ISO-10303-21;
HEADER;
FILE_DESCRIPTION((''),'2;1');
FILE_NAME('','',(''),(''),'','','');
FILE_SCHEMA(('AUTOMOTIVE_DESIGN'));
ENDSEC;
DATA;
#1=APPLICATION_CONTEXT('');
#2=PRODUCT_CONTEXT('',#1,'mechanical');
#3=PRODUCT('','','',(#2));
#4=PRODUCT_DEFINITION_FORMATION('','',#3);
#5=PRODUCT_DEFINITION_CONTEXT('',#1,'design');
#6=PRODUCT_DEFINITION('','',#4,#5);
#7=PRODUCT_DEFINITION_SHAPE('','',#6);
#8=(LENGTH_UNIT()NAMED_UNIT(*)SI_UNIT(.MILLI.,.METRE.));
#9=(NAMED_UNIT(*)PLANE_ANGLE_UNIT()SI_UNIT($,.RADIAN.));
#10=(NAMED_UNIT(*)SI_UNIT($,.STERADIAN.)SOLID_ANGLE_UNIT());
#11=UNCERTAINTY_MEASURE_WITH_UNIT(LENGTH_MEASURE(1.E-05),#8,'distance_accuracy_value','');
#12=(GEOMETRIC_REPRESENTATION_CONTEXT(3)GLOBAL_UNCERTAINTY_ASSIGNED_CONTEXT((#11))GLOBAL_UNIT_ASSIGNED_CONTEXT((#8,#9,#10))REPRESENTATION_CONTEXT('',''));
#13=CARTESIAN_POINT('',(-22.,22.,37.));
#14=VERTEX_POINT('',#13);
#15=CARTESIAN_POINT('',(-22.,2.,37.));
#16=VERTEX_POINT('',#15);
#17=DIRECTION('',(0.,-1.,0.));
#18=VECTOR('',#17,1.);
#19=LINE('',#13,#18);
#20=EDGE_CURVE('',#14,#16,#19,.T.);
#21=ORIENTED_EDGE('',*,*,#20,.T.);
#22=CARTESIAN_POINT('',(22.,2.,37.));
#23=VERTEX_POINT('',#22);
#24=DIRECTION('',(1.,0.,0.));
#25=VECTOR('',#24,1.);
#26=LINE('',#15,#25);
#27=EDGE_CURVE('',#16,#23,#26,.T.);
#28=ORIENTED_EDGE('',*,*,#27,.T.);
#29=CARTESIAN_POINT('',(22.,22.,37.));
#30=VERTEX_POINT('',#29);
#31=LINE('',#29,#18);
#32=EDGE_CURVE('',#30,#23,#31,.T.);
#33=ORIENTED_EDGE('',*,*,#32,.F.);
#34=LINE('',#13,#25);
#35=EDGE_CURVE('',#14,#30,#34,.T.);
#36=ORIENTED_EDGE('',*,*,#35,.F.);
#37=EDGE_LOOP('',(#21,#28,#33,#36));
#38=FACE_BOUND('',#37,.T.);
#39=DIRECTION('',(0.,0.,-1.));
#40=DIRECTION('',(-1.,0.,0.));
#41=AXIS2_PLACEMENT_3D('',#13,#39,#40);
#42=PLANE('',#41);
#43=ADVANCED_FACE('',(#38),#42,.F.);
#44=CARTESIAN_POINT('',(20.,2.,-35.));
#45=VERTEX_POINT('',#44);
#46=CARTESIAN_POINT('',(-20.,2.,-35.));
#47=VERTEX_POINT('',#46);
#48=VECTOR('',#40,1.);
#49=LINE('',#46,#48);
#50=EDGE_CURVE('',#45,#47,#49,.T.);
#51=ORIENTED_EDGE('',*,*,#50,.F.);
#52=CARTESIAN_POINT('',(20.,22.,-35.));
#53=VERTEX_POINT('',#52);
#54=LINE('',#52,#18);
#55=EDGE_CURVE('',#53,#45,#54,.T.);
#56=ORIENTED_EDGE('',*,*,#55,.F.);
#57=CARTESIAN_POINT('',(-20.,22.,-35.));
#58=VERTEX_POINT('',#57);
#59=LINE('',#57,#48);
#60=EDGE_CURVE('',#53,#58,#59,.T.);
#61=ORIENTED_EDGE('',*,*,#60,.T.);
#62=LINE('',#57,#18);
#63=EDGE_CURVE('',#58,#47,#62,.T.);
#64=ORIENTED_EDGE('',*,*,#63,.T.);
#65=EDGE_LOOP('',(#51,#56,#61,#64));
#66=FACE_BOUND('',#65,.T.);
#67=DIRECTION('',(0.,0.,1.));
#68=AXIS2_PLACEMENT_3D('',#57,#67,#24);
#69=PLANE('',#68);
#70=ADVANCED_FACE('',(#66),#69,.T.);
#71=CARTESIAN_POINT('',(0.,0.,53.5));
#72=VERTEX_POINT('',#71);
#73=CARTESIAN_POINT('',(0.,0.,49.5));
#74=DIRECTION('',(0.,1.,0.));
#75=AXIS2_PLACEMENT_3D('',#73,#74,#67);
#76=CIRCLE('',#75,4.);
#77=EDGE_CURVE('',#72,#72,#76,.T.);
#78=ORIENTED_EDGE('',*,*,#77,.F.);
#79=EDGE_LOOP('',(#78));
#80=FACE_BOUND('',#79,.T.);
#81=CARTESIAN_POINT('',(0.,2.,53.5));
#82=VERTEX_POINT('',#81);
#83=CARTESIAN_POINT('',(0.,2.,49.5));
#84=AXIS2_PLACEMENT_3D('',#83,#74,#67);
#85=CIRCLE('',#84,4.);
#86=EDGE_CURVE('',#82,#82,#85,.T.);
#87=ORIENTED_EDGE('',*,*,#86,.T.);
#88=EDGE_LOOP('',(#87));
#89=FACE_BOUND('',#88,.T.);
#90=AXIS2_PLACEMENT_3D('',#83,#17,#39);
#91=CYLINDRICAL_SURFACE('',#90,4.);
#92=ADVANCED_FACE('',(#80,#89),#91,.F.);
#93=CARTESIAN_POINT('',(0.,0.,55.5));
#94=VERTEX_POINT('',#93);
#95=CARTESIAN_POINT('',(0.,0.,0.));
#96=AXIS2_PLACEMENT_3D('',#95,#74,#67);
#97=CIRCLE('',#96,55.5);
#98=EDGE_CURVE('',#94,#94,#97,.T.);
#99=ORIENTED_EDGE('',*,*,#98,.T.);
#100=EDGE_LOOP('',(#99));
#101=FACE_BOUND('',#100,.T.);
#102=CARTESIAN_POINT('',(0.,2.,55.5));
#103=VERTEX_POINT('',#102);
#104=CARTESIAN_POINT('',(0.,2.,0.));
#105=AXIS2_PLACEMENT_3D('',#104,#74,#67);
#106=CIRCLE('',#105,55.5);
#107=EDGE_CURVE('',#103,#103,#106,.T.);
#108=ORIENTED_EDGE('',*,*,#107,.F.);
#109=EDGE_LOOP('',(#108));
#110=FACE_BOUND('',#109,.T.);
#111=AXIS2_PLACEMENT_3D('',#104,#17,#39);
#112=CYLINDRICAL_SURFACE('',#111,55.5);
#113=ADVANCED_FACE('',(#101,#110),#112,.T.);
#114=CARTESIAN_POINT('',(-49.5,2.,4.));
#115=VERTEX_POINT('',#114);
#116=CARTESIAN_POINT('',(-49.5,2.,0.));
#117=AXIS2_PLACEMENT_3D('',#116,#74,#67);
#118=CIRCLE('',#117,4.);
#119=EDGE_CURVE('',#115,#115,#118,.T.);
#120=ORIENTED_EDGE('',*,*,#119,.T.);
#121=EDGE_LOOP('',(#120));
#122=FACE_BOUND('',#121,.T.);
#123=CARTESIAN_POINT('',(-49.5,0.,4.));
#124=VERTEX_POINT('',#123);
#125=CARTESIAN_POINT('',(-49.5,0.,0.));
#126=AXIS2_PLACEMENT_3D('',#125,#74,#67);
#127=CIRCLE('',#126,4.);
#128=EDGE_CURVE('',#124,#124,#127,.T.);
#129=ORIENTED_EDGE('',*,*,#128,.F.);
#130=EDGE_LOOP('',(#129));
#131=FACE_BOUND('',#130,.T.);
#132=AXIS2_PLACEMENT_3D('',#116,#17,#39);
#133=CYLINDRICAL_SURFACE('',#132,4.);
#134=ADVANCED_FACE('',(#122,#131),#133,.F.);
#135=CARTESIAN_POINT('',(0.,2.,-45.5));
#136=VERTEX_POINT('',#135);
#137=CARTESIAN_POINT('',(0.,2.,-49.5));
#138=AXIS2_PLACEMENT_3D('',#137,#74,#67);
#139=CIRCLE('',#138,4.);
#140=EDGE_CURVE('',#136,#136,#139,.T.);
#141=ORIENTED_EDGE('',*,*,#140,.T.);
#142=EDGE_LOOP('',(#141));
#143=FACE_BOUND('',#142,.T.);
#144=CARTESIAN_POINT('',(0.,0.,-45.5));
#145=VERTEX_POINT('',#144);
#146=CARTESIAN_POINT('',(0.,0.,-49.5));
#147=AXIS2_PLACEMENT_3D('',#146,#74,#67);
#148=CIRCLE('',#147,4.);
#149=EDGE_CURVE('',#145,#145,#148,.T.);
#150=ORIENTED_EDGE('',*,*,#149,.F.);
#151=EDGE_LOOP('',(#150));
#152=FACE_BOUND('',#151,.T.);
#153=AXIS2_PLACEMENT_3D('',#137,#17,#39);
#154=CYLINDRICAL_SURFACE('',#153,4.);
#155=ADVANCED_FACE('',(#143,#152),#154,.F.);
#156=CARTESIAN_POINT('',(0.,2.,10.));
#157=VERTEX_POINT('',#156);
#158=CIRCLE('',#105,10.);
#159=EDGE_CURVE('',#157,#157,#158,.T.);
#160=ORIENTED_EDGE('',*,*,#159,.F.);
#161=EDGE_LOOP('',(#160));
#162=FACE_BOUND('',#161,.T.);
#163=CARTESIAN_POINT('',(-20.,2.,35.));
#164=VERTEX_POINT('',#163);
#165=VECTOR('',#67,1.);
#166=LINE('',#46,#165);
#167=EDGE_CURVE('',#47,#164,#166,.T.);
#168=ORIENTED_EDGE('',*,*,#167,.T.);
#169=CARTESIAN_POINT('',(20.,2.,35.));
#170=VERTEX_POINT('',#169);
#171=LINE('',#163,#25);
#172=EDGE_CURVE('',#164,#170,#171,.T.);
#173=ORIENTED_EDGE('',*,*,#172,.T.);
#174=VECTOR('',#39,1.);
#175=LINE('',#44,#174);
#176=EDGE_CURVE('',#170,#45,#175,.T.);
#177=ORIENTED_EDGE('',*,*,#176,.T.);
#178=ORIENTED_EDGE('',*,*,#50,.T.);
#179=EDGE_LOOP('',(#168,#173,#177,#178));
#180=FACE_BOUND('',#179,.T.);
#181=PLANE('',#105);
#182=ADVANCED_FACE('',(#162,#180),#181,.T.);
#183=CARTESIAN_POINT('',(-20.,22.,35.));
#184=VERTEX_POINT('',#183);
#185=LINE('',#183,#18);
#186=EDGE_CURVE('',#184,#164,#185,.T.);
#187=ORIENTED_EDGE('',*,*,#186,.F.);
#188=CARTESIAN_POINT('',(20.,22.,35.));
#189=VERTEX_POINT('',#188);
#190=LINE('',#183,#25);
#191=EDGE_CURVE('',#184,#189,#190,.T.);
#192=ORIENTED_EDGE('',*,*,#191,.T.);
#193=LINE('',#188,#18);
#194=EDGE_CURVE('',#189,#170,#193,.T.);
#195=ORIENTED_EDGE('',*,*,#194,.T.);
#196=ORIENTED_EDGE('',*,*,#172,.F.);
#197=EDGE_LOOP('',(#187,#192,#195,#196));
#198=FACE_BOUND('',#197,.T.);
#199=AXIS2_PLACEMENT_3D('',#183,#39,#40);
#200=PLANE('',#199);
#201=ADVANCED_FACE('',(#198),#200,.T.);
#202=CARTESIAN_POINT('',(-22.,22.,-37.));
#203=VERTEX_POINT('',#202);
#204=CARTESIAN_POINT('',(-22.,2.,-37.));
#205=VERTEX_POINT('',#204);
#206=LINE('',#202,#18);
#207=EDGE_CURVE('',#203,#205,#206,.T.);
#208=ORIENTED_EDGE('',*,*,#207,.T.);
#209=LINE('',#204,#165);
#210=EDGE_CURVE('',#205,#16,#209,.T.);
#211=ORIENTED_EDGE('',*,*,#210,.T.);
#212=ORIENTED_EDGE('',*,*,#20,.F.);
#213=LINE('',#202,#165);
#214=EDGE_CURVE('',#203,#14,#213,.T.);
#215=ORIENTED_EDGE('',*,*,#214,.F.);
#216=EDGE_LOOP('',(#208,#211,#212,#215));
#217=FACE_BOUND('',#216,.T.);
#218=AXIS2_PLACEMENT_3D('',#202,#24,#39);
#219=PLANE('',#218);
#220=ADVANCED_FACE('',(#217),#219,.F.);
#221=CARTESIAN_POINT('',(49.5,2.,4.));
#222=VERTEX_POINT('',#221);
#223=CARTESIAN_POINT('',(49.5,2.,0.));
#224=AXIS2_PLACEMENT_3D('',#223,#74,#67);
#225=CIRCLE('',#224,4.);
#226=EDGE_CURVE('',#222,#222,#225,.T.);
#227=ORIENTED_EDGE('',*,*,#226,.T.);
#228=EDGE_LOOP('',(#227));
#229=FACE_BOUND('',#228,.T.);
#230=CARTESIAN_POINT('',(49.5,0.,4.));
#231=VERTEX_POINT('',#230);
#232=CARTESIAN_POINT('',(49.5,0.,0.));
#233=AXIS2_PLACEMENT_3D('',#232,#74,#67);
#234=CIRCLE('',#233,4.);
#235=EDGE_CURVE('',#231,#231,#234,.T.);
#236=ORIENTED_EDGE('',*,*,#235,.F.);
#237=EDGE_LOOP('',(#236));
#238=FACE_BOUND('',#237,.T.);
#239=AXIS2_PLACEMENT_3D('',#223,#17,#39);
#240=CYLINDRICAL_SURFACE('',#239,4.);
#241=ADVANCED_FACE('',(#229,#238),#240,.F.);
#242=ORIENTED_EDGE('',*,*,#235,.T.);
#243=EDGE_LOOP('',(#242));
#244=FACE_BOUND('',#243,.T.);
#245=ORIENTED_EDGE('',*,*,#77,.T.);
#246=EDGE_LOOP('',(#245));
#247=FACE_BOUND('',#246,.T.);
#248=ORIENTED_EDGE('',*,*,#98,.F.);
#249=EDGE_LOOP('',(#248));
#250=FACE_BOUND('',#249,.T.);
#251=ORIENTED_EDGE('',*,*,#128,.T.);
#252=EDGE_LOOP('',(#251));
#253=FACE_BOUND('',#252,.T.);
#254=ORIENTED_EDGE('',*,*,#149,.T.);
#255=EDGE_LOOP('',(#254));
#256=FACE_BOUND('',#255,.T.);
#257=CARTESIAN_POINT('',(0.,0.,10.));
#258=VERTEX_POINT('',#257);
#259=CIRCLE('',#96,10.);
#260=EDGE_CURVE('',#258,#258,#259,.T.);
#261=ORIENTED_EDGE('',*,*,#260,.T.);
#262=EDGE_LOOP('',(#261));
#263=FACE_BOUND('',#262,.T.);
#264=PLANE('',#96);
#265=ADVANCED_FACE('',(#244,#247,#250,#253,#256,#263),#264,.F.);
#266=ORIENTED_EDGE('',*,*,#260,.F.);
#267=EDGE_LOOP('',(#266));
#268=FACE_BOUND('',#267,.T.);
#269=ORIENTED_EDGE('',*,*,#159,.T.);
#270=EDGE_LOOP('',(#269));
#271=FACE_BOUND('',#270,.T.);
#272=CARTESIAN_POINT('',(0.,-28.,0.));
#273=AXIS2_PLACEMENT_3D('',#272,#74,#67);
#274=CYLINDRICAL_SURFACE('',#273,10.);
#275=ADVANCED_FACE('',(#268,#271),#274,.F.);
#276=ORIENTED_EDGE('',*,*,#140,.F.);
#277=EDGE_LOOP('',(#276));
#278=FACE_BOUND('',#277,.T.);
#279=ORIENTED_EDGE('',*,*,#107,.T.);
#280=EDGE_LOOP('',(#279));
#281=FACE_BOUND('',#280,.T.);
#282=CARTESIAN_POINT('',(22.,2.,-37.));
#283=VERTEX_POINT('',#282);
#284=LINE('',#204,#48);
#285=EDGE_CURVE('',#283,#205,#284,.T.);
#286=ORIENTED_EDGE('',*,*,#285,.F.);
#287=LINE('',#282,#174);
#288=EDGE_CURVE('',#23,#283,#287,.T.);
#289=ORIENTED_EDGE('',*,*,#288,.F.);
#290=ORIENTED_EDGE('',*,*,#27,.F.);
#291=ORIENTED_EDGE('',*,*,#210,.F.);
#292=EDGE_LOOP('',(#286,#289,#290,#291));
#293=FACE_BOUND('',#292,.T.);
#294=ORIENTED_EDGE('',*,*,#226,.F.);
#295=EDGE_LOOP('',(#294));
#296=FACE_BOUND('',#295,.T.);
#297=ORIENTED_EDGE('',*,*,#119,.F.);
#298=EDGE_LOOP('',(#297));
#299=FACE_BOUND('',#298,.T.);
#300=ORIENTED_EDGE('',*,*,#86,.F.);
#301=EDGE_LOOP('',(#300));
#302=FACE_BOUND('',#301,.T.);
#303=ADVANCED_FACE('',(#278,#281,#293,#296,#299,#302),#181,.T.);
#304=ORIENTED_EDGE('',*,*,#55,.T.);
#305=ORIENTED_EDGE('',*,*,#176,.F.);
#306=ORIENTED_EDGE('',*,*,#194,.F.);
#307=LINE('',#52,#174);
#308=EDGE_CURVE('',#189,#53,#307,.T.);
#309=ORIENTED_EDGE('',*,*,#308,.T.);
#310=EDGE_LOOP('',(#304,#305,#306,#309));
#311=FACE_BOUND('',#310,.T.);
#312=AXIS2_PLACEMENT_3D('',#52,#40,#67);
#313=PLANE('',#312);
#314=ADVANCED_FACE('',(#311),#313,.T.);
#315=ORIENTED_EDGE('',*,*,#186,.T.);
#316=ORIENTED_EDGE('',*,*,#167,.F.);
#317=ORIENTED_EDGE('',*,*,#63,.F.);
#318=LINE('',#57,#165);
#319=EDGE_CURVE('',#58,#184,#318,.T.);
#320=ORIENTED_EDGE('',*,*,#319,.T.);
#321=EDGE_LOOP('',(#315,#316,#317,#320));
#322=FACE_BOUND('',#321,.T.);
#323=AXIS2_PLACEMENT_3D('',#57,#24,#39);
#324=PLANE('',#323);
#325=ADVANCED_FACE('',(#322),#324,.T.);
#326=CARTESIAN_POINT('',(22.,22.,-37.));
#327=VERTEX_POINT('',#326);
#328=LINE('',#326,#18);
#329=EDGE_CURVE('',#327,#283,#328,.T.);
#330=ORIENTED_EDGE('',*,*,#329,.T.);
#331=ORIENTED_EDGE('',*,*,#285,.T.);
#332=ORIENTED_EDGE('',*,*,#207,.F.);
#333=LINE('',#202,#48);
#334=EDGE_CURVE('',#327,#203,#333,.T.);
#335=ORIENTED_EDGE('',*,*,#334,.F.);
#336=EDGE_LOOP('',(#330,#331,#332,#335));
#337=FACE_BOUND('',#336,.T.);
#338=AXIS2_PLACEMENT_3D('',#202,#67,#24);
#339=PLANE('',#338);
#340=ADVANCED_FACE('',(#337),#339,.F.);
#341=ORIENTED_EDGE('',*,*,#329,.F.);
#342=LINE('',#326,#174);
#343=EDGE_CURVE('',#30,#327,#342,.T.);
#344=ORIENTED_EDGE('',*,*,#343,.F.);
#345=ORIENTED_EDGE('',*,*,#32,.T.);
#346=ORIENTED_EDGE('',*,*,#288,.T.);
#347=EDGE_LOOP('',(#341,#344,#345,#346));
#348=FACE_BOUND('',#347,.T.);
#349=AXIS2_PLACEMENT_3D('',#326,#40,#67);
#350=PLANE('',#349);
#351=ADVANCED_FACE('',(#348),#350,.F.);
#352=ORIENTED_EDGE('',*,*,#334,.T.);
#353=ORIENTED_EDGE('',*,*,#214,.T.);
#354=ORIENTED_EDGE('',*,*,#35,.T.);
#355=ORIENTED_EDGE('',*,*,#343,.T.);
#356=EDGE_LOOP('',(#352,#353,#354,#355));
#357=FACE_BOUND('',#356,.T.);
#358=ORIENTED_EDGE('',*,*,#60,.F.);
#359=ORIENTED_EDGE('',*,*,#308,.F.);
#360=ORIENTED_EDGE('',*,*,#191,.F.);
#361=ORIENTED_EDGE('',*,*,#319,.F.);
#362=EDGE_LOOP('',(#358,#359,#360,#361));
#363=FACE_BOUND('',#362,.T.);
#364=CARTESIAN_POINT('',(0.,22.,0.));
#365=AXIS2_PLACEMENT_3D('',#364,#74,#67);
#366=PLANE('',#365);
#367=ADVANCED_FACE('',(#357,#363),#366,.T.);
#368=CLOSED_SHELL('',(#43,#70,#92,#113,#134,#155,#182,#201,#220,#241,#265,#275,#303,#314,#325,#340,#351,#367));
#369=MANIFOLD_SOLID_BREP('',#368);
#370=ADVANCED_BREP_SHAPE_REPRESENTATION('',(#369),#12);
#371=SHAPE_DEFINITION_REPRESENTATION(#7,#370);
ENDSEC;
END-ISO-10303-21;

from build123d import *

# Parameters (mm, degrees)
SKETCH1_R           = 55.5
SKETCH1_R_2         = 4
BOSS_EXTRUDE4_DEPTH = 2
SKETCH6_W           = 44
SKETCH6_H           = 74
SKETCH6_W_2         = 40
SKETCH6_H_2         = 70
BOSS_EXTRUDE5_DEPTH = 20
SKETCH7_R           = 10
CUT_EXTRUDE2_DEPTH  = 30


with BuildPart() as part:
    # Sketch1 → Boss-Extrude4 (new body)
    with BuildSketch(Plane(origin=(0, 0, 0), x_dir=(1, 0, 0), z_dir=(0, 1, 0))):
        with Locations(Location((0, 0, 0), (0, 0, 270))):
            Circle(SKETCH1_R)
        with Locations(Location((0, 49.5, 0), (0, 0, 270))):
            Circle(SKETCH1_R_2, mode=Mode.SUBTRACT)
        with Locations(Location((49.5, 0, 0), (0, 0, 270))):
            Circle(SKETCH1_R_2, mode=Mode.SUBTRACT)
        with Locations(Location((-49.5, 0, 0), (0, 0, 270))):
            Circle(SKETCH1_R_2, mode=Mode.SUBTRACT)
        with Locations(Location((0, -49.5, 0), (0, 0, 270))):
            Circle(SKETCH1_R_2, mode=Mode.SUBTRACT)
    extrude(amount=BOSS_EXTRUDE4_DEPTH)

    # Sketch6 → Boss-Extrude5 (add)
    with BuildSketch(Plane(origin=(0, 2, 0), x_dir=(1, 0, 0), z_dir=(0, 1, 0))):
        Rectangle(SKETCH6_W, SKETCH6_H)
        Rectangle(SKETCH6_W_2, SKETCH6_H_2, mode=Mode.SUBTRACT)
    extrude(amount=BOSS_EXTRUDE5_DEPTH)

    # Sketch7 → Cut-Extrude2 (cut)
    with BuildSketch(Plane(origin=(0, 2, 0), x_dir=(1, 0, 0), z_dir=(0, 1, 0))):
        with Locations(Location((0, 0, 0), (0, 0, 270))):
            Circle(SKETCH7_R)
    extrude(amount=-CUT_EXTRUDE2_DEPTH, mode=Mode.SUBTRACT)


solid = part.part
